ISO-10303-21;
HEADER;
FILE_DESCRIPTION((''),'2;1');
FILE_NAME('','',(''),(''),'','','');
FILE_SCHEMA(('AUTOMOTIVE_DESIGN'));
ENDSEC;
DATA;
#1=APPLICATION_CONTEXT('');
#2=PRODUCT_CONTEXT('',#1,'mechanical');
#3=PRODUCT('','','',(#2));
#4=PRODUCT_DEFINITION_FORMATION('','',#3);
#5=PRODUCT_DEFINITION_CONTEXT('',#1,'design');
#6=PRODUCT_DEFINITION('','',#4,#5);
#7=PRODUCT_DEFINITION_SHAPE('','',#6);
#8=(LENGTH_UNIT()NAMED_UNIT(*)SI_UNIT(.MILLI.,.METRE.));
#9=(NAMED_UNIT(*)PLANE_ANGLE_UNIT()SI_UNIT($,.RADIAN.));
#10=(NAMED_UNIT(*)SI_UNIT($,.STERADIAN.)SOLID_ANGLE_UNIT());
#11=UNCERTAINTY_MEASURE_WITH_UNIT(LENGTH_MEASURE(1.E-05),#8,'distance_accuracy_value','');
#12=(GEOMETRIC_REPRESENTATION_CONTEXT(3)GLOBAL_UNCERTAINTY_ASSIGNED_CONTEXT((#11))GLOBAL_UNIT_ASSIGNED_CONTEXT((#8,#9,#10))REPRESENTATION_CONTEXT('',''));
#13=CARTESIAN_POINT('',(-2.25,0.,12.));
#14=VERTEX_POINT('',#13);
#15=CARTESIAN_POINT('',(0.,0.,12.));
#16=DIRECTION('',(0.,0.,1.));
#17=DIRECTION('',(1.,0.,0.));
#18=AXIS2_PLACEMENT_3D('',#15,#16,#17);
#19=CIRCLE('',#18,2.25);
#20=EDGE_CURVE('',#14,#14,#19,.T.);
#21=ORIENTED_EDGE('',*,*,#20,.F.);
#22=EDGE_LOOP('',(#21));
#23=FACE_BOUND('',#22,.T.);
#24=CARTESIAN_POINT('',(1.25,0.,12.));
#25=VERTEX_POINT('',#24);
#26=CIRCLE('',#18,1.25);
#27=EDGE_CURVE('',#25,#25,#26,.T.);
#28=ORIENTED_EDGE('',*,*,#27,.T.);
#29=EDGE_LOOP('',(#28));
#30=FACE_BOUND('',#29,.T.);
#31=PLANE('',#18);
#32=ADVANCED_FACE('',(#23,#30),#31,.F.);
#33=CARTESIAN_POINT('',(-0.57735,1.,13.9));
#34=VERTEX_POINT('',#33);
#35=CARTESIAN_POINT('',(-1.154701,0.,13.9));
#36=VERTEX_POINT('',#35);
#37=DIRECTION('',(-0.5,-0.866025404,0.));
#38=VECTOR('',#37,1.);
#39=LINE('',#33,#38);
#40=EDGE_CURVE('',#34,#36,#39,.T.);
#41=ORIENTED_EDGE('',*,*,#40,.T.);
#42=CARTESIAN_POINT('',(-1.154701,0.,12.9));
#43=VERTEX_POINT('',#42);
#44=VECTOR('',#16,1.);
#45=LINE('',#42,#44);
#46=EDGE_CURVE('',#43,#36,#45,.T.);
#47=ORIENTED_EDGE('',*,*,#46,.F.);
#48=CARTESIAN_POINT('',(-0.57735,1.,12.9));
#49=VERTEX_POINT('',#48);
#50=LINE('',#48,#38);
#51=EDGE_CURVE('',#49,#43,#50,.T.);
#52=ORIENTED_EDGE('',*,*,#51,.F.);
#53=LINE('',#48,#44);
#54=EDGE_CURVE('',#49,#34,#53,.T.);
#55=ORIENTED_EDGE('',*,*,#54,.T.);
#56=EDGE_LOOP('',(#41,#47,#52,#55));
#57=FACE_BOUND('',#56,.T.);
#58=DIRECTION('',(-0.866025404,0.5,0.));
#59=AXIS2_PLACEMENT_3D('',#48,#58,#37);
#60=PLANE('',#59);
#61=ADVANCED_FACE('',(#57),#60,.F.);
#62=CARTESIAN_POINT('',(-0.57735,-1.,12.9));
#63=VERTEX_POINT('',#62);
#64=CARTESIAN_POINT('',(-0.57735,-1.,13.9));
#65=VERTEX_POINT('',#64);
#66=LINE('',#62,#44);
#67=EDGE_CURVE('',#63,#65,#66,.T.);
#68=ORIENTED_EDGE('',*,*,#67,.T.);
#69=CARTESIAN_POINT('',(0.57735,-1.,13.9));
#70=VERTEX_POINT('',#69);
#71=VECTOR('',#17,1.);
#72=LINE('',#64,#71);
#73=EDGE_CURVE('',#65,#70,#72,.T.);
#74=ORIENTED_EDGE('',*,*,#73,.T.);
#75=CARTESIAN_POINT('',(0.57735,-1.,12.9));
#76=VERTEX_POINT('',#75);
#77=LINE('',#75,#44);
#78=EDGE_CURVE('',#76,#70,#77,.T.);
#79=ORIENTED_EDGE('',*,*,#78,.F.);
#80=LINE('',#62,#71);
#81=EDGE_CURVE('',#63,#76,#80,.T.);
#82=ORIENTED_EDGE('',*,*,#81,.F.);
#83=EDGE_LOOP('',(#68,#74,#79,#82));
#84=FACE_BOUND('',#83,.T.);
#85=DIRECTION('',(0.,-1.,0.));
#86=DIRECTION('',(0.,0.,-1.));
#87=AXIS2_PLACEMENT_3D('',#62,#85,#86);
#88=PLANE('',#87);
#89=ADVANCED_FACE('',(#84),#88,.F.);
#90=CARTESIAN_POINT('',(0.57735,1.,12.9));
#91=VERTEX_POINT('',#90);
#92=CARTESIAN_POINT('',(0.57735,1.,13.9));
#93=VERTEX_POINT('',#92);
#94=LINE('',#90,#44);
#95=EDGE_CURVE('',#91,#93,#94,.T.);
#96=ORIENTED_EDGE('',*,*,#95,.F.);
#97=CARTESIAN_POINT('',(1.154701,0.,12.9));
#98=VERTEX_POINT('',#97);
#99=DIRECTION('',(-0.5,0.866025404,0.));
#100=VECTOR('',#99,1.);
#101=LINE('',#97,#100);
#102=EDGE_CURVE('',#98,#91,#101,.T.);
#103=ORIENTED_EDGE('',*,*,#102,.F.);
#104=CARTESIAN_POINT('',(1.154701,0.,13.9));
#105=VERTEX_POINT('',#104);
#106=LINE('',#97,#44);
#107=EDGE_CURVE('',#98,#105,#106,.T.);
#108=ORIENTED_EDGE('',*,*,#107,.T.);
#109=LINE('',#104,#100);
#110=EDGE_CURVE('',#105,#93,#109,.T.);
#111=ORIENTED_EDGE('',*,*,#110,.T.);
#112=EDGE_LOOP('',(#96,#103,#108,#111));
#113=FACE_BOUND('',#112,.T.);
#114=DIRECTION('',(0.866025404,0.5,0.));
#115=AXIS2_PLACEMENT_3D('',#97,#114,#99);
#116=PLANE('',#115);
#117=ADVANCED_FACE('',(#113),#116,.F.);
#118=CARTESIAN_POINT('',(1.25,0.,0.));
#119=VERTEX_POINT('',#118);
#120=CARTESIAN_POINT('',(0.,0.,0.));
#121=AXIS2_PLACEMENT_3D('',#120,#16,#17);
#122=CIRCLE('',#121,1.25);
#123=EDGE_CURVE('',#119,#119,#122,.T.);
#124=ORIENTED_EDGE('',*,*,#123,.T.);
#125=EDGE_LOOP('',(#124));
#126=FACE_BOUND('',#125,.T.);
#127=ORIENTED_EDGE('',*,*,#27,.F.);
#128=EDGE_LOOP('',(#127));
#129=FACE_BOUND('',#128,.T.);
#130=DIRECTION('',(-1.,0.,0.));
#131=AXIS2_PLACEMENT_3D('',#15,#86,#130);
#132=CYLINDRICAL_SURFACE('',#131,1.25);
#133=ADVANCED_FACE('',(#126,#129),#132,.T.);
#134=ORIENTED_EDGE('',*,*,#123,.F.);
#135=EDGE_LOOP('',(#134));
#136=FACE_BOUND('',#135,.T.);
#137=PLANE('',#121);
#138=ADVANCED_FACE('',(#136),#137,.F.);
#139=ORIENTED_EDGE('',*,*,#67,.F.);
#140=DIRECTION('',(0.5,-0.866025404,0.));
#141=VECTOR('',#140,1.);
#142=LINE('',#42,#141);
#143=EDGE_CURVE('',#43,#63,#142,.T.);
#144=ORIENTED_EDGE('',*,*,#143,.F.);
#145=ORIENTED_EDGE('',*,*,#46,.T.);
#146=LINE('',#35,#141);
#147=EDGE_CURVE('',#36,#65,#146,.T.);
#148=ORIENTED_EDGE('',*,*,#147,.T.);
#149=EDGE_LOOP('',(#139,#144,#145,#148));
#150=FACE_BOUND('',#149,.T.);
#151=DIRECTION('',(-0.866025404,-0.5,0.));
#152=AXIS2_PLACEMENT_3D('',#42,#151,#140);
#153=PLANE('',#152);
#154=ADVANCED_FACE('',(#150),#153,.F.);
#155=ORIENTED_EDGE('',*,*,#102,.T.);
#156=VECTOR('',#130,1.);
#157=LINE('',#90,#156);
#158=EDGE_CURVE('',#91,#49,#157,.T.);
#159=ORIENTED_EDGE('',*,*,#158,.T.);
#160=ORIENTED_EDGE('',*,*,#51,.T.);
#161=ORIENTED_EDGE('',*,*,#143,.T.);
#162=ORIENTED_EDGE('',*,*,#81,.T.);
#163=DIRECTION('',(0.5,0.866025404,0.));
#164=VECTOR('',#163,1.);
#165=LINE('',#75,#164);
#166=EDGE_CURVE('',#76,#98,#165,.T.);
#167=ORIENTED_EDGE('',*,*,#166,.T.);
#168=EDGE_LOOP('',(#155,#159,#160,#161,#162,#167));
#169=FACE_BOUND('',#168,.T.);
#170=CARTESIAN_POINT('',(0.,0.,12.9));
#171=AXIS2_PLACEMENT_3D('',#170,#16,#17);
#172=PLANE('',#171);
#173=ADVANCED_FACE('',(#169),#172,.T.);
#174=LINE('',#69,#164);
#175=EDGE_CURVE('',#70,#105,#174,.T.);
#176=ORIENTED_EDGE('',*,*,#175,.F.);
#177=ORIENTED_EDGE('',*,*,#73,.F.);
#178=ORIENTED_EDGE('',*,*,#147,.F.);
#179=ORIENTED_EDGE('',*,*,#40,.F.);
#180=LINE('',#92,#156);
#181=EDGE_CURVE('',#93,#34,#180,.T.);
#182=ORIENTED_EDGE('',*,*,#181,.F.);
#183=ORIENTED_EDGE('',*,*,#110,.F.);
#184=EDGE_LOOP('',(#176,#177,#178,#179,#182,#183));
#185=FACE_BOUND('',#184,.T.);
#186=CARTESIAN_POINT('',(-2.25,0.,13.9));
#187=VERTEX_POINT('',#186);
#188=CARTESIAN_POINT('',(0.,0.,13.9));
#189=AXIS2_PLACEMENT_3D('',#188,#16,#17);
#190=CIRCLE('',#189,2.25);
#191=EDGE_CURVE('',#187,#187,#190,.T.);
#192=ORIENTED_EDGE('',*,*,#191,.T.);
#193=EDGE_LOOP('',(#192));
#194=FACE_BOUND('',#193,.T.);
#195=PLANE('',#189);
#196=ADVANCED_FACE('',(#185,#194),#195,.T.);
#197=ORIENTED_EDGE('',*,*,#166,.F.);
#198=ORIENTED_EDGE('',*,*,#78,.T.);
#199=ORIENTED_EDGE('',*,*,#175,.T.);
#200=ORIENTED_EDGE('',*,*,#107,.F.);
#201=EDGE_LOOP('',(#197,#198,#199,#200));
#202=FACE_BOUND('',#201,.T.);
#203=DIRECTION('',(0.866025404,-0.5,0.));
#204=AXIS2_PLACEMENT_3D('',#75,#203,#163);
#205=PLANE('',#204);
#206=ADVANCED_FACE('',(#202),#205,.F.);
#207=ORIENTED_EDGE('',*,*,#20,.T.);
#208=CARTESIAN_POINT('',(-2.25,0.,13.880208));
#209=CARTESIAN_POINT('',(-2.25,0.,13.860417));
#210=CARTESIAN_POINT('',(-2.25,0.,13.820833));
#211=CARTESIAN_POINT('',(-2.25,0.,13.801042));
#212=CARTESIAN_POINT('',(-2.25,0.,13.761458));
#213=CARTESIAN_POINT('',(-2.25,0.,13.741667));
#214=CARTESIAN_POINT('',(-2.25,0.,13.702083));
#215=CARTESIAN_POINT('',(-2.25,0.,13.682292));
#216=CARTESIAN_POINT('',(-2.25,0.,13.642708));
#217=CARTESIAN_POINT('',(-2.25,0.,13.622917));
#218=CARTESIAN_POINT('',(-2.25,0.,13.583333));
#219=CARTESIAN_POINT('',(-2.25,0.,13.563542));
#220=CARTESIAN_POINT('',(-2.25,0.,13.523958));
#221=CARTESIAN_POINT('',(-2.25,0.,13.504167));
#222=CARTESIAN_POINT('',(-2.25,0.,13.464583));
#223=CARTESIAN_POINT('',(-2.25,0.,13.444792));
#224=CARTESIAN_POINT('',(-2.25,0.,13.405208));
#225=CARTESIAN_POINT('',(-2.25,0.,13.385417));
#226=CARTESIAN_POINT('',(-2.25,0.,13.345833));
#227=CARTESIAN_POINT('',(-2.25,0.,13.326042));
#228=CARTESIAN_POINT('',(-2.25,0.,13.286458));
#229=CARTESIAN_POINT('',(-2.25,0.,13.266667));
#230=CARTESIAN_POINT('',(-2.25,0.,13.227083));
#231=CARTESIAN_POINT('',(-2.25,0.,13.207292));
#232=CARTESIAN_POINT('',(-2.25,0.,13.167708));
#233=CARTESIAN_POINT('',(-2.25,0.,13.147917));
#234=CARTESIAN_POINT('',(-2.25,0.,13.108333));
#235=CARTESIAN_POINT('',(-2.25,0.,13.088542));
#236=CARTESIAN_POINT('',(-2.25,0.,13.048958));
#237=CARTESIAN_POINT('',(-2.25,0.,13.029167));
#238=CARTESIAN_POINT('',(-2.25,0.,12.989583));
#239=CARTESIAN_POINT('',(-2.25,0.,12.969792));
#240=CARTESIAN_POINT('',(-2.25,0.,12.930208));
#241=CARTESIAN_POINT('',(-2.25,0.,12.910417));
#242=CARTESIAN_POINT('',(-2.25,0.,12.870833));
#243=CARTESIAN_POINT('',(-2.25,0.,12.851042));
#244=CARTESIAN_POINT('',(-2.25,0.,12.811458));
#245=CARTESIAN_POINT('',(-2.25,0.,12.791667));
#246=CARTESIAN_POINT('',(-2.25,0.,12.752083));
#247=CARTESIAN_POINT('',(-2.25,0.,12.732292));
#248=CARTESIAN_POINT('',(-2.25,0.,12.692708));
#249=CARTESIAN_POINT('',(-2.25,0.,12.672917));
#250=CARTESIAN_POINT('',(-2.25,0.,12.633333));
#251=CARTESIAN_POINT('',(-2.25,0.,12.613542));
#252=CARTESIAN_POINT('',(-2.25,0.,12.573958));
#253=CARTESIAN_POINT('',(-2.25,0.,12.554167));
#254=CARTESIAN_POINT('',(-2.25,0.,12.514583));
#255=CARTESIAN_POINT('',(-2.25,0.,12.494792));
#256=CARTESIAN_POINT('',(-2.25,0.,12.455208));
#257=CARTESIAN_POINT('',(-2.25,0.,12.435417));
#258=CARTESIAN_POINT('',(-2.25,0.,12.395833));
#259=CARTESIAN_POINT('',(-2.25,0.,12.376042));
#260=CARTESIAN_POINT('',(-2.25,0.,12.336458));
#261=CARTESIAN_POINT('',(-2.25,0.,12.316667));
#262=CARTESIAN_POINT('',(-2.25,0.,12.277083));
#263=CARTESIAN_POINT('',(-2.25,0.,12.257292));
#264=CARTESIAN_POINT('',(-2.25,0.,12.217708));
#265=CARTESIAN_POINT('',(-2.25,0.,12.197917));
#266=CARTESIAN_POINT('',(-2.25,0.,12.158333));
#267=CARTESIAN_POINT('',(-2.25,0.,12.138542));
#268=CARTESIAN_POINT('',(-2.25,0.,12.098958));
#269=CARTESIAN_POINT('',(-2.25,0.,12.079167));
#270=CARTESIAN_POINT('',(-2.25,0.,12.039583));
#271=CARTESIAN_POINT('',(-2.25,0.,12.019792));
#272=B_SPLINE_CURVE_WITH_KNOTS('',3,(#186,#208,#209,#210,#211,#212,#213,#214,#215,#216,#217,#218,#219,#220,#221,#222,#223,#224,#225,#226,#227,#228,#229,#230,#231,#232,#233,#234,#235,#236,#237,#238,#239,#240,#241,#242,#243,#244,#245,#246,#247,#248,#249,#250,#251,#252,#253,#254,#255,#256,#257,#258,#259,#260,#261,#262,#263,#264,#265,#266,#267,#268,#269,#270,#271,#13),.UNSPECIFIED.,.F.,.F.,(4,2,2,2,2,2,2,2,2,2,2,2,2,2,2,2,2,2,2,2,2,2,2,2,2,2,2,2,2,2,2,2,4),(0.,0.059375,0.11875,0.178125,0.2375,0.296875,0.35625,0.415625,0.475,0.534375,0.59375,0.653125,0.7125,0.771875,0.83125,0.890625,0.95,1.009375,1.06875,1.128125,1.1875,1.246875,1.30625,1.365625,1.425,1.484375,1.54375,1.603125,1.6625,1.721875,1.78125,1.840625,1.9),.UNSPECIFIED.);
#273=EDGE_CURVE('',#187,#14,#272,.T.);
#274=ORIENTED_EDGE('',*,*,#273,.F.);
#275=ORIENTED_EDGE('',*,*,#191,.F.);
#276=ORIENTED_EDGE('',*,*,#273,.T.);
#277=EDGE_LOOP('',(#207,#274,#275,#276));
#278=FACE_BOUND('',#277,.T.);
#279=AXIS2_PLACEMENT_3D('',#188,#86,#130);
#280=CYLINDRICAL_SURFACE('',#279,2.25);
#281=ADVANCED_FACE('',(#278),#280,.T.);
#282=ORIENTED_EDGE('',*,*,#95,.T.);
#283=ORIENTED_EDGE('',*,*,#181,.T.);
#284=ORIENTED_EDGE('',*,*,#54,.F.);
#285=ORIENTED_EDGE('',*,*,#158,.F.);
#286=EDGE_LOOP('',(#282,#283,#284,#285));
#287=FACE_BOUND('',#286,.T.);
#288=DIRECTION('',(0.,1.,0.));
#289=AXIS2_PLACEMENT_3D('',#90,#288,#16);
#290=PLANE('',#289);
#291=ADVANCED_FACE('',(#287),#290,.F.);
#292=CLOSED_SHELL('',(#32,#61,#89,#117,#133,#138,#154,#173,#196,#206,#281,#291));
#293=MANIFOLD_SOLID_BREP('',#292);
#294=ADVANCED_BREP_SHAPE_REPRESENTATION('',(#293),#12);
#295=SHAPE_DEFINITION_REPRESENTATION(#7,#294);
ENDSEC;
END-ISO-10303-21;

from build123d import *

# Parameters (mm, degrees)
ESQUISSE1_R             = 1.25
BOSS_EXTRU_1_DEPTH      = 12
ESQUISSE2_R             = 2.25
BOSS_EXTRU_2_DEPTH      = 1.9
ENL_V_MAT_EXTRU_1_DEPTH = 1


with BuildPart() as part:
    # Esquisse1 → Boss.-Extru.1 (new body)
    with BuildSketch(Plane.XY):
        Circle(ESQUISSE1_R)
    extrude(amount=BOSS_EXTRU_1_DEPTH)

    # Esquisse2 → Boss.-Extru.2 (add)
    with BuildSketch(Plane.XY.offset(12)):
        with Locations(Location((0, 0, 0), (0, 0, 180))):
            Circle(ESQUISSE2_R)
    extrude(amount=BOSS_EXTRU_2_DEPTH)

    # Esquisse3 → Enlèv. mat.-Extru.1 (cut)
    with BuildSketch(Plane.XY.offset(13.9)):
        Polygon((1.154700538, 0), (0.577350269, 1), (-0.577350269, 1), (-1.154700538, 0), (-0.577350269, -1), (0.577350269, -1), align=None)
    extrude(amount=-ENL_V_MAT_EXTRU_1_DEPTH, mode=Mode.SUBTRACT)


solid = part.part
